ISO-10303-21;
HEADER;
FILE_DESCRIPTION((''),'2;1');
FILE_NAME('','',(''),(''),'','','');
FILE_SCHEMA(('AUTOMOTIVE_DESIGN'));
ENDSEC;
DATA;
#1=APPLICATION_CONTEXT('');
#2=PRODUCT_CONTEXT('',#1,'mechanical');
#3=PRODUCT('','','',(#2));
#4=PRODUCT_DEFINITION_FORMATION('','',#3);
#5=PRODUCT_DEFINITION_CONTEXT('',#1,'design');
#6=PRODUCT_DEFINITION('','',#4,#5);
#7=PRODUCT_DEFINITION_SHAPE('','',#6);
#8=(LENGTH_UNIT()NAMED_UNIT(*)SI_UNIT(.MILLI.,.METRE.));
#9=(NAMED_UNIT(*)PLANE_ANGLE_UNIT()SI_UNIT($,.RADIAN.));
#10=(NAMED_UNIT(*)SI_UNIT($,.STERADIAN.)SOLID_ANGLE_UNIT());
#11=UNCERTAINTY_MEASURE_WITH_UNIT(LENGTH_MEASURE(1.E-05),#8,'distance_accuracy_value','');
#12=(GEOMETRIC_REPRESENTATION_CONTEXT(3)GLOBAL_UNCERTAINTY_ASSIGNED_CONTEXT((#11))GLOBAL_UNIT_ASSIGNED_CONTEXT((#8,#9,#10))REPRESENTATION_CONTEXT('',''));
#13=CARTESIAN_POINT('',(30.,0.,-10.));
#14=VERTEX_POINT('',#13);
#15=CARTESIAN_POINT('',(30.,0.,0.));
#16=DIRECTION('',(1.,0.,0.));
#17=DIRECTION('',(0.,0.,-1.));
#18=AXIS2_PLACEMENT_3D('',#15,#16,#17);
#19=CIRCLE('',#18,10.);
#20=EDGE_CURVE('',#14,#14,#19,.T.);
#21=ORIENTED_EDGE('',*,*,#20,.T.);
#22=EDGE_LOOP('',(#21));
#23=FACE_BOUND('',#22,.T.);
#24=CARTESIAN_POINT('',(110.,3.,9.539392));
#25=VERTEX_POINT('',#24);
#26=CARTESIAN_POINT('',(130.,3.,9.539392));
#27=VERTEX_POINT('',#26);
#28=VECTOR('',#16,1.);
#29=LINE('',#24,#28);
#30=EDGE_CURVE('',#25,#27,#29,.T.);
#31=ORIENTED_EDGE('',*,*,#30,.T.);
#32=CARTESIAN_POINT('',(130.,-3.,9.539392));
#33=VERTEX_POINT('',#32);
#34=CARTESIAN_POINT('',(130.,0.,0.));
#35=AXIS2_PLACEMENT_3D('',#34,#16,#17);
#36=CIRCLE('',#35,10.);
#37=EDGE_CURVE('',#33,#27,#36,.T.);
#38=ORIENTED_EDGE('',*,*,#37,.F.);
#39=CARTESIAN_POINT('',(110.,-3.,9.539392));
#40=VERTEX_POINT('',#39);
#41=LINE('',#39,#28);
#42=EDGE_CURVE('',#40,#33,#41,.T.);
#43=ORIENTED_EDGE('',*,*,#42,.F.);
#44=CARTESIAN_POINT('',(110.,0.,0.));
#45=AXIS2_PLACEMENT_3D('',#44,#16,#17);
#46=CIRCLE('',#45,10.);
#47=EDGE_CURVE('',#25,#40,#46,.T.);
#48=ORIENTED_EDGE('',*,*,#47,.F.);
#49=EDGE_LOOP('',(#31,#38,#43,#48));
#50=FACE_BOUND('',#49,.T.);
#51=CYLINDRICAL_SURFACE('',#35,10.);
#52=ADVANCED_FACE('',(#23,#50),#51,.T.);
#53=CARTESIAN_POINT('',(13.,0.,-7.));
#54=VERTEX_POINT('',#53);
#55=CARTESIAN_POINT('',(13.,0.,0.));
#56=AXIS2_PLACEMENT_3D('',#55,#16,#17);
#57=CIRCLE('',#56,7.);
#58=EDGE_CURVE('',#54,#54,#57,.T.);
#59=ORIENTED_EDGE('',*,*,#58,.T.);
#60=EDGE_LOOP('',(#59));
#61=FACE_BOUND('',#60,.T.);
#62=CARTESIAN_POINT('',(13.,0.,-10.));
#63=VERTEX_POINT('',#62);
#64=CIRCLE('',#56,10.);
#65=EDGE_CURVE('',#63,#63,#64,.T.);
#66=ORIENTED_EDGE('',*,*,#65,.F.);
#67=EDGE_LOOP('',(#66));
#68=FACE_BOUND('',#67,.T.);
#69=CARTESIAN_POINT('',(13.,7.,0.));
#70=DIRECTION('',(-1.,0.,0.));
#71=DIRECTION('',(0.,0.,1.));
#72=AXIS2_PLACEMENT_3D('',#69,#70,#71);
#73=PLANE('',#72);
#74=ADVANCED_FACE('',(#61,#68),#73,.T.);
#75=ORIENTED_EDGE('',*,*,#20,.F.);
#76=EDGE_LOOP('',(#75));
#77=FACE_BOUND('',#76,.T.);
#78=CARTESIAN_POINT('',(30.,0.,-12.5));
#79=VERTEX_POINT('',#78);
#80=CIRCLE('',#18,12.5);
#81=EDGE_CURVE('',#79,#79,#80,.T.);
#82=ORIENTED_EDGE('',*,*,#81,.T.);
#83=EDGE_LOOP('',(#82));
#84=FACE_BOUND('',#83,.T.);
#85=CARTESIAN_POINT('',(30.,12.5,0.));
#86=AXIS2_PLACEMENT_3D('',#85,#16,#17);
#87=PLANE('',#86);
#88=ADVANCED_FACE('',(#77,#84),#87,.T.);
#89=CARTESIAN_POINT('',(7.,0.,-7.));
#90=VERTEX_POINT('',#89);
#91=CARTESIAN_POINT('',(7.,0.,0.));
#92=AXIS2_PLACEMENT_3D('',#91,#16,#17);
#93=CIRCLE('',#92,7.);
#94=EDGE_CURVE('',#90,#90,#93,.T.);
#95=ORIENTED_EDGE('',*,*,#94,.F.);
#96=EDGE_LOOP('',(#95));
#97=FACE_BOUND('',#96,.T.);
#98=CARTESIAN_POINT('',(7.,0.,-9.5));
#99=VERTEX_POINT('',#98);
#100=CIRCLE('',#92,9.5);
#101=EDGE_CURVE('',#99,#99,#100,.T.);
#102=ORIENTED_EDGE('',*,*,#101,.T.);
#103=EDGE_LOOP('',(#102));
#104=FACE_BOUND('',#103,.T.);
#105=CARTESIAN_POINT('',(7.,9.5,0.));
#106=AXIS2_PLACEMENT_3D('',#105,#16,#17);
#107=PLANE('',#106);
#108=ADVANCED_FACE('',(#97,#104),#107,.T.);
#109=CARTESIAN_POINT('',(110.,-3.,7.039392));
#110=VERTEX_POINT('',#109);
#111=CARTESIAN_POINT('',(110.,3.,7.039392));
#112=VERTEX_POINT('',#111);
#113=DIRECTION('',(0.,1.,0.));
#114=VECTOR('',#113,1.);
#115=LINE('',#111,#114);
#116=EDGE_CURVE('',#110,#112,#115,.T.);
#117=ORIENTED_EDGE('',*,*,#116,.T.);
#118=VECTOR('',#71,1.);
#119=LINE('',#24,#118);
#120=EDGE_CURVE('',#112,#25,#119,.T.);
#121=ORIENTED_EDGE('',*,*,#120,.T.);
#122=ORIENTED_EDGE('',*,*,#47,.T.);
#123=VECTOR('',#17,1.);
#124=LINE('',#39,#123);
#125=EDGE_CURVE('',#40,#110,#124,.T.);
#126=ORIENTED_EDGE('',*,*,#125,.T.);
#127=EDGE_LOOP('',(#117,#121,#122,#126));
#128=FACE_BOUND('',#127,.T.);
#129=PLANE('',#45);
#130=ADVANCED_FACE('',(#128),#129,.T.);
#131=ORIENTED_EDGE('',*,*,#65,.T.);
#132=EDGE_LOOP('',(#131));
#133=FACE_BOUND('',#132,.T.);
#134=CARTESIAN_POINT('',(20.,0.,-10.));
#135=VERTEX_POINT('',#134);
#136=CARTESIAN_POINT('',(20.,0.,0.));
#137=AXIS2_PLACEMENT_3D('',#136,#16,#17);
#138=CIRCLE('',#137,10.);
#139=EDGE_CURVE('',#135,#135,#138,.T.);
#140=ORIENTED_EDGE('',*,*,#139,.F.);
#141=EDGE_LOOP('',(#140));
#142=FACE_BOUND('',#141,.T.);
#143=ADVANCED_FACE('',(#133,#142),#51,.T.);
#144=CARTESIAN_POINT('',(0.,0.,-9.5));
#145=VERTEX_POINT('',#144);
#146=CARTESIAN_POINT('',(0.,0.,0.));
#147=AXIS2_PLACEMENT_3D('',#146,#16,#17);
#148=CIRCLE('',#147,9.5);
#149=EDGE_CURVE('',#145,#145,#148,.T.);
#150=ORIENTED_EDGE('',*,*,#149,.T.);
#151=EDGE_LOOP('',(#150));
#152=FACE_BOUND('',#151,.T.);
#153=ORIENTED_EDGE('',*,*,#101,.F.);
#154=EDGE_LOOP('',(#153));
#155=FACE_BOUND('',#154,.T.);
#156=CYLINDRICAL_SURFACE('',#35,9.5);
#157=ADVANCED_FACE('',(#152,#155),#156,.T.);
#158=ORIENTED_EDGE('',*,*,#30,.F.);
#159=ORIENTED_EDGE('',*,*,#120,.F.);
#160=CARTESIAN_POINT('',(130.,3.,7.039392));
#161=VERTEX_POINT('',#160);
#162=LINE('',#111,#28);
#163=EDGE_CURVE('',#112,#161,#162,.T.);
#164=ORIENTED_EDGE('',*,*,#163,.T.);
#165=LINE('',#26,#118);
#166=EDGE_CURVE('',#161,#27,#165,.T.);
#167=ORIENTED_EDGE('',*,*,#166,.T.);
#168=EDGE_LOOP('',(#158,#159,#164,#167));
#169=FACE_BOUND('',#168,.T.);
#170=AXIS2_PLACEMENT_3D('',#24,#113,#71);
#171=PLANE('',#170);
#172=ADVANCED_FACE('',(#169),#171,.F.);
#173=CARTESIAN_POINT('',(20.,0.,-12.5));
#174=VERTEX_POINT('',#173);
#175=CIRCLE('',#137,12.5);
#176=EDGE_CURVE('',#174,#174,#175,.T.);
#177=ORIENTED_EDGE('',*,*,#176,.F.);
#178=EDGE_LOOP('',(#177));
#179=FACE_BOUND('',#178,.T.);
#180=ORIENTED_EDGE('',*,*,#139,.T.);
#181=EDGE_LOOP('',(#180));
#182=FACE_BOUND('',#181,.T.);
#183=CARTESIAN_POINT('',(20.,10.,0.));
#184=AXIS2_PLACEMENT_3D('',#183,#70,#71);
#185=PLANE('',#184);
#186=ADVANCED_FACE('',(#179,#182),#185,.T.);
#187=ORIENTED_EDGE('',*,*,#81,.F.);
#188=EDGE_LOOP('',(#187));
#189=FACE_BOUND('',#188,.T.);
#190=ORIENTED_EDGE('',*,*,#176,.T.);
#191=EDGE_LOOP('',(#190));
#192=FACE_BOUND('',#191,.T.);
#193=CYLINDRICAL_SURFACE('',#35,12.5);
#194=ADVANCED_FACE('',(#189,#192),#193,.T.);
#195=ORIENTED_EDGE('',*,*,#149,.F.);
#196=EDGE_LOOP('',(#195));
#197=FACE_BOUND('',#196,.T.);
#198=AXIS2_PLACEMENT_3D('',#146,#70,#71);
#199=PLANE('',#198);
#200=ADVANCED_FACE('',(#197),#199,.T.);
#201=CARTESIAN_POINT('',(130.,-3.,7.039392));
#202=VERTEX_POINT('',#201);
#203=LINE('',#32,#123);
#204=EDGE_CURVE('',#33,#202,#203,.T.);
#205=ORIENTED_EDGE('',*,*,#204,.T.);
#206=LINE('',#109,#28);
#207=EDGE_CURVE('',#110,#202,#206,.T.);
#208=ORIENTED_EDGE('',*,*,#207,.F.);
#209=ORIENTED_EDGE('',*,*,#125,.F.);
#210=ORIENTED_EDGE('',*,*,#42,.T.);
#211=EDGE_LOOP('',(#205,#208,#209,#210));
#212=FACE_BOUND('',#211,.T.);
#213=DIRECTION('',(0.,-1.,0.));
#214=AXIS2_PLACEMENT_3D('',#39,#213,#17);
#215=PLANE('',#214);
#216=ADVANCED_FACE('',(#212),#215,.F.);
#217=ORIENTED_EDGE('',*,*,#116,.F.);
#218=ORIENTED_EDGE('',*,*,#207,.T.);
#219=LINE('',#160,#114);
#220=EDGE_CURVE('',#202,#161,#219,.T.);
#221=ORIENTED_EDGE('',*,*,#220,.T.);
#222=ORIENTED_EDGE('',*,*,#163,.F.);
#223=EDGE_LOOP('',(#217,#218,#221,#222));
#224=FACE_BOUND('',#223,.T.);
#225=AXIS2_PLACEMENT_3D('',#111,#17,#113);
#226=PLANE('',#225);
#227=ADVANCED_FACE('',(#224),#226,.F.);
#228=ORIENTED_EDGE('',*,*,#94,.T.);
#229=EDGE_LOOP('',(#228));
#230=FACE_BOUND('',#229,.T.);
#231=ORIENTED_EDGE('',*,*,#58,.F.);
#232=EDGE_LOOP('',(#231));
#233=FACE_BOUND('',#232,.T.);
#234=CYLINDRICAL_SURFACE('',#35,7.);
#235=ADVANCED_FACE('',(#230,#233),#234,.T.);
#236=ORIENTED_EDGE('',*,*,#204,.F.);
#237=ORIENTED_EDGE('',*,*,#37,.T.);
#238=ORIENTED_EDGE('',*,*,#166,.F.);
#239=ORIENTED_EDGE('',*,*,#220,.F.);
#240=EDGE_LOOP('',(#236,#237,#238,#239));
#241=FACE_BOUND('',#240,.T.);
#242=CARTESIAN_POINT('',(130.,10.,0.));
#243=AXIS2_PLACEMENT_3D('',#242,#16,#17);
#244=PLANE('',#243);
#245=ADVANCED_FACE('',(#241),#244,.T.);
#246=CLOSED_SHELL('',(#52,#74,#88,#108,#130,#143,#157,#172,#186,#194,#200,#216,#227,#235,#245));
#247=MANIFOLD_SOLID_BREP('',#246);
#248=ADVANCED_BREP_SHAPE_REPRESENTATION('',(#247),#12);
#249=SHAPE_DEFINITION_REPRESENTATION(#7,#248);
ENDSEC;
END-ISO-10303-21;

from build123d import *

# Parameters (mm, degrees)
CUT_EXTRUDE1_DEPTH = 20


with BuildPart() as part:
    # Sketch1 → Revolve1 (revolve)
    with BuildSketch(Plane.XY, mode=Mode.PRIVATE) as revolve1_sk:
        Polygon((0, 0), (0, 9.5), (7, 9.5), (7, 7), (13, 7), (13, 10), (20, 10), (20, 12.5), (30, 12.5), (30, 10), (130, 10), (130, 0), align=None)
    revolve(revolve1_sk.sketch.rotate(Axis((130, 0, 0), (-1, 0, 0)), 90), axis=Axis((130, 0, 0), (-1, 0, 0)))

    # Sketch2 → Cut-Extrude1 (cut)
    with BuildSketch(Plane(origin=(130, 0, 0), x_dir=(0, 0, -1), z_dir=(1, 0, 0))):
        with BuildLine():
            Line((-9.539392014, 3), (-7.039392014, 3))
            Line((-7.039392014, 3), (-7.039392014, -3))
            Line((-7.039392014, -3), (-9.539392014, -3))
            ThreePointArc((-9.539392014, -3), (-10, 0), (-9.539392014, 3))
        make_face()
    extrude(amount=-CUT_EXTRUDE1_DEPTH, mode=Mode.SUBTRACT)


solid = part.part
